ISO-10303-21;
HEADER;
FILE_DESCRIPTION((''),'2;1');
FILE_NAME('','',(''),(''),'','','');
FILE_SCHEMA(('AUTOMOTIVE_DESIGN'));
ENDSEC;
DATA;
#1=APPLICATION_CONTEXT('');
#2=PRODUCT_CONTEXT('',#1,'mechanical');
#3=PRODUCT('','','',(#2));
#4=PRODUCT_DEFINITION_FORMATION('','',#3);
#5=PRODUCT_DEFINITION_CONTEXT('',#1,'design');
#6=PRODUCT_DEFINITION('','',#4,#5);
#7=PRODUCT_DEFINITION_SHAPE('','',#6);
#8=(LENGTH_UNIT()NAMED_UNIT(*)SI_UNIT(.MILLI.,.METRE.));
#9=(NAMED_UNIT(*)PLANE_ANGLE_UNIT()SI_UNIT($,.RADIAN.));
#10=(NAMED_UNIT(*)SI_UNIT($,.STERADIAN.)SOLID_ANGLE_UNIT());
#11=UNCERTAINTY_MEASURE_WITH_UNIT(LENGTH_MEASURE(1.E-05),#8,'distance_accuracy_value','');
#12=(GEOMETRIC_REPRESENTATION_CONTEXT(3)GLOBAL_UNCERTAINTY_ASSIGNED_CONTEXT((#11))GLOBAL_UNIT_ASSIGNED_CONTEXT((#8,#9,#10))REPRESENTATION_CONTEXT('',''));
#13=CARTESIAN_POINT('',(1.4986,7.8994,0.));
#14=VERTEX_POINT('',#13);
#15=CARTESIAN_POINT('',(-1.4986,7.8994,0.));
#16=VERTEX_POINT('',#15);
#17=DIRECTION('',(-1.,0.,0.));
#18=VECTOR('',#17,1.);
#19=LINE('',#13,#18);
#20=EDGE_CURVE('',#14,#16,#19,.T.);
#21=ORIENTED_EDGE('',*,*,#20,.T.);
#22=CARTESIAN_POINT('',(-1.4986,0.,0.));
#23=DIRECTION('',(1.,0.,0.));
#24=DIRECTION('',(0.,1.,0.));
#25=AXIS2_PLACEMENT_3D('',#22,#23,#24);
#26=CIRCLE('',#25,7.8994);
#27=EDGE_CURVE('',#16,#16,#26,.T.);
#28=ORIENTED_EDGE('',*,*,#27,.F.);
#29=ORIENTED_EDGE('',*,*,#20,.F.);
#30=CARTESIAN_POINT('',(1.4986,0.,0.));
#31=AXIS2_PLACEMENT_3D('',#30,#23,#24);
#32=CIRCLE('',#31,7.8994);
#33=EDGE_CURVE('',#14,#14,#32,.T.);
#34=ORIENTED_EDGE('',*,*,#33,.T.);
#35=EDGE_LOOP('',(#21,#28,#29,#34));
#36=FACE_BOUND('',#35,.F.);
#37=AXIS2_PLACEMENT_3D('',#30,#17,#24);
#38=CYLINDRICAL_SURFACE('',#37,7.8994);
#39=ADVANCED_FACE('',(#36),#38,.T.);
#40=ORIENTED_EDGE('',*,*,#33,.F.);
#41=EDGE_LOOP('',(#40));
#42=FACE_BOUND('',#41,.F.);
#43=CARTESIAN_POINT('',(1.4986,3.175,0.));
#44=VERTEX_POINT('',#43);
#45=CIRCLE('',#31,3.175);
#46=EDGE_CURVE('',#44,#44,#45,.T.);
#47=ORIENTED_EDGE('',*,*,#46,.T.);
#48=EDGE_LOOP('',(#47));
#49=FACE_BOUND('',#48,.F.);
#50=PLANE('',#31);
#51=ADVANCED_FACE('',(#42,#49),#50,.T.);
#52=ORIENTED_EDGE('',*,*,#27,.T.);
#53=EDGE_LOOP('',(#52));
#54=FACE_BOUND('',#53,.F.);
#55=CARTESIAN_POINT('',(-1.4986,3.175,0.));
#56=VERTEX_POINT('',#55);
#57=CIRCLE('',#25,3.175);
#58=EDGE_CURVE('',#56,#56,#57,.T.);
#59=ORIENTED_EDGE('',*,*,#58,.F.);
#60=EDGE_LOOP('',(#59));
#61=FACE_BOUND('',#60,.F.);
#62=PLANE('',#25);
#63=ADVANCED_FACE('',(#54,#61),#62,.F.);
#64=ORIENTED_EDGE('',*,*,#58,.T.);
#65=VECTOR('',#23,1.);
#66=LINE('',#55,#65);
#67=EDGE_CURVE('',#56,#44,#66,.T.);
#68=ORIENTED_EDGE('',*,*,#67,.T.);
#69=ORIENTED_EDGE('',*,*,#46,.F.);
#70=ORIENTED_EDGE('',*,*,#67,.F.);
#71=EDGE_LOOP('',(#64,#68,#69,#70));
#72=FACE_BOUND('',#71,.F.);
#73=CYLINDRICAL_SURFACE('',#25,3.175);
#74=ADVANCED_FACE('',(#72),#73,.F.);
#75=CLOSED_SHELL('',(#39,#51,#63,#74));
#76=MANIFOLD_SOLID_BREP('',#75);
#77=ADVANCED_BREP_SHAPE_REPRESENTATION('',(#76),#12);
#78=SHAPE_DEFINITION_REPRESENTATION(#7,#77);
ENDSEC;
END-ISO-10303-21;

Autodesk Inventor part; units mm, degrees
sketch "Sketch_1" plane through (0, 0, 0) normal (0, 0, 1) x (1, 0, 0)
  line L0 (1.4986, 0) -> (-1.4986, 0)
  line L1 (-1.4986, 3.175) -> (1.4986, 3.175)
  line L2 (1.4986, 3.175) -> (1.4986, 7.8994)
  line L3 (1.4986, 7.8994) -> (-1.4986, 7.8994)
  line L4 (-1.4986, 7.8994) -> (-1.4986, 3.175)
revolve "Revolution1" add sketch "Sketch_1" angle 360 about axis through (1.4986, 0, 0) along (1, 0, 0)
ref_plane "P2_XY" through (-1.4986, 0, 0) normal (1, 0, 0) x (0, 0, -1)
ref_plane "P2_YZ" through (-1.4986, 0, 0) normal (0, 0, -1) x (0, 1, 0)
ref_plane "P2_ZX" through (-1.4986, 0, 0) normal (0, 1, 0) x (1, 0, 0)
properties part number "2281_p2"
